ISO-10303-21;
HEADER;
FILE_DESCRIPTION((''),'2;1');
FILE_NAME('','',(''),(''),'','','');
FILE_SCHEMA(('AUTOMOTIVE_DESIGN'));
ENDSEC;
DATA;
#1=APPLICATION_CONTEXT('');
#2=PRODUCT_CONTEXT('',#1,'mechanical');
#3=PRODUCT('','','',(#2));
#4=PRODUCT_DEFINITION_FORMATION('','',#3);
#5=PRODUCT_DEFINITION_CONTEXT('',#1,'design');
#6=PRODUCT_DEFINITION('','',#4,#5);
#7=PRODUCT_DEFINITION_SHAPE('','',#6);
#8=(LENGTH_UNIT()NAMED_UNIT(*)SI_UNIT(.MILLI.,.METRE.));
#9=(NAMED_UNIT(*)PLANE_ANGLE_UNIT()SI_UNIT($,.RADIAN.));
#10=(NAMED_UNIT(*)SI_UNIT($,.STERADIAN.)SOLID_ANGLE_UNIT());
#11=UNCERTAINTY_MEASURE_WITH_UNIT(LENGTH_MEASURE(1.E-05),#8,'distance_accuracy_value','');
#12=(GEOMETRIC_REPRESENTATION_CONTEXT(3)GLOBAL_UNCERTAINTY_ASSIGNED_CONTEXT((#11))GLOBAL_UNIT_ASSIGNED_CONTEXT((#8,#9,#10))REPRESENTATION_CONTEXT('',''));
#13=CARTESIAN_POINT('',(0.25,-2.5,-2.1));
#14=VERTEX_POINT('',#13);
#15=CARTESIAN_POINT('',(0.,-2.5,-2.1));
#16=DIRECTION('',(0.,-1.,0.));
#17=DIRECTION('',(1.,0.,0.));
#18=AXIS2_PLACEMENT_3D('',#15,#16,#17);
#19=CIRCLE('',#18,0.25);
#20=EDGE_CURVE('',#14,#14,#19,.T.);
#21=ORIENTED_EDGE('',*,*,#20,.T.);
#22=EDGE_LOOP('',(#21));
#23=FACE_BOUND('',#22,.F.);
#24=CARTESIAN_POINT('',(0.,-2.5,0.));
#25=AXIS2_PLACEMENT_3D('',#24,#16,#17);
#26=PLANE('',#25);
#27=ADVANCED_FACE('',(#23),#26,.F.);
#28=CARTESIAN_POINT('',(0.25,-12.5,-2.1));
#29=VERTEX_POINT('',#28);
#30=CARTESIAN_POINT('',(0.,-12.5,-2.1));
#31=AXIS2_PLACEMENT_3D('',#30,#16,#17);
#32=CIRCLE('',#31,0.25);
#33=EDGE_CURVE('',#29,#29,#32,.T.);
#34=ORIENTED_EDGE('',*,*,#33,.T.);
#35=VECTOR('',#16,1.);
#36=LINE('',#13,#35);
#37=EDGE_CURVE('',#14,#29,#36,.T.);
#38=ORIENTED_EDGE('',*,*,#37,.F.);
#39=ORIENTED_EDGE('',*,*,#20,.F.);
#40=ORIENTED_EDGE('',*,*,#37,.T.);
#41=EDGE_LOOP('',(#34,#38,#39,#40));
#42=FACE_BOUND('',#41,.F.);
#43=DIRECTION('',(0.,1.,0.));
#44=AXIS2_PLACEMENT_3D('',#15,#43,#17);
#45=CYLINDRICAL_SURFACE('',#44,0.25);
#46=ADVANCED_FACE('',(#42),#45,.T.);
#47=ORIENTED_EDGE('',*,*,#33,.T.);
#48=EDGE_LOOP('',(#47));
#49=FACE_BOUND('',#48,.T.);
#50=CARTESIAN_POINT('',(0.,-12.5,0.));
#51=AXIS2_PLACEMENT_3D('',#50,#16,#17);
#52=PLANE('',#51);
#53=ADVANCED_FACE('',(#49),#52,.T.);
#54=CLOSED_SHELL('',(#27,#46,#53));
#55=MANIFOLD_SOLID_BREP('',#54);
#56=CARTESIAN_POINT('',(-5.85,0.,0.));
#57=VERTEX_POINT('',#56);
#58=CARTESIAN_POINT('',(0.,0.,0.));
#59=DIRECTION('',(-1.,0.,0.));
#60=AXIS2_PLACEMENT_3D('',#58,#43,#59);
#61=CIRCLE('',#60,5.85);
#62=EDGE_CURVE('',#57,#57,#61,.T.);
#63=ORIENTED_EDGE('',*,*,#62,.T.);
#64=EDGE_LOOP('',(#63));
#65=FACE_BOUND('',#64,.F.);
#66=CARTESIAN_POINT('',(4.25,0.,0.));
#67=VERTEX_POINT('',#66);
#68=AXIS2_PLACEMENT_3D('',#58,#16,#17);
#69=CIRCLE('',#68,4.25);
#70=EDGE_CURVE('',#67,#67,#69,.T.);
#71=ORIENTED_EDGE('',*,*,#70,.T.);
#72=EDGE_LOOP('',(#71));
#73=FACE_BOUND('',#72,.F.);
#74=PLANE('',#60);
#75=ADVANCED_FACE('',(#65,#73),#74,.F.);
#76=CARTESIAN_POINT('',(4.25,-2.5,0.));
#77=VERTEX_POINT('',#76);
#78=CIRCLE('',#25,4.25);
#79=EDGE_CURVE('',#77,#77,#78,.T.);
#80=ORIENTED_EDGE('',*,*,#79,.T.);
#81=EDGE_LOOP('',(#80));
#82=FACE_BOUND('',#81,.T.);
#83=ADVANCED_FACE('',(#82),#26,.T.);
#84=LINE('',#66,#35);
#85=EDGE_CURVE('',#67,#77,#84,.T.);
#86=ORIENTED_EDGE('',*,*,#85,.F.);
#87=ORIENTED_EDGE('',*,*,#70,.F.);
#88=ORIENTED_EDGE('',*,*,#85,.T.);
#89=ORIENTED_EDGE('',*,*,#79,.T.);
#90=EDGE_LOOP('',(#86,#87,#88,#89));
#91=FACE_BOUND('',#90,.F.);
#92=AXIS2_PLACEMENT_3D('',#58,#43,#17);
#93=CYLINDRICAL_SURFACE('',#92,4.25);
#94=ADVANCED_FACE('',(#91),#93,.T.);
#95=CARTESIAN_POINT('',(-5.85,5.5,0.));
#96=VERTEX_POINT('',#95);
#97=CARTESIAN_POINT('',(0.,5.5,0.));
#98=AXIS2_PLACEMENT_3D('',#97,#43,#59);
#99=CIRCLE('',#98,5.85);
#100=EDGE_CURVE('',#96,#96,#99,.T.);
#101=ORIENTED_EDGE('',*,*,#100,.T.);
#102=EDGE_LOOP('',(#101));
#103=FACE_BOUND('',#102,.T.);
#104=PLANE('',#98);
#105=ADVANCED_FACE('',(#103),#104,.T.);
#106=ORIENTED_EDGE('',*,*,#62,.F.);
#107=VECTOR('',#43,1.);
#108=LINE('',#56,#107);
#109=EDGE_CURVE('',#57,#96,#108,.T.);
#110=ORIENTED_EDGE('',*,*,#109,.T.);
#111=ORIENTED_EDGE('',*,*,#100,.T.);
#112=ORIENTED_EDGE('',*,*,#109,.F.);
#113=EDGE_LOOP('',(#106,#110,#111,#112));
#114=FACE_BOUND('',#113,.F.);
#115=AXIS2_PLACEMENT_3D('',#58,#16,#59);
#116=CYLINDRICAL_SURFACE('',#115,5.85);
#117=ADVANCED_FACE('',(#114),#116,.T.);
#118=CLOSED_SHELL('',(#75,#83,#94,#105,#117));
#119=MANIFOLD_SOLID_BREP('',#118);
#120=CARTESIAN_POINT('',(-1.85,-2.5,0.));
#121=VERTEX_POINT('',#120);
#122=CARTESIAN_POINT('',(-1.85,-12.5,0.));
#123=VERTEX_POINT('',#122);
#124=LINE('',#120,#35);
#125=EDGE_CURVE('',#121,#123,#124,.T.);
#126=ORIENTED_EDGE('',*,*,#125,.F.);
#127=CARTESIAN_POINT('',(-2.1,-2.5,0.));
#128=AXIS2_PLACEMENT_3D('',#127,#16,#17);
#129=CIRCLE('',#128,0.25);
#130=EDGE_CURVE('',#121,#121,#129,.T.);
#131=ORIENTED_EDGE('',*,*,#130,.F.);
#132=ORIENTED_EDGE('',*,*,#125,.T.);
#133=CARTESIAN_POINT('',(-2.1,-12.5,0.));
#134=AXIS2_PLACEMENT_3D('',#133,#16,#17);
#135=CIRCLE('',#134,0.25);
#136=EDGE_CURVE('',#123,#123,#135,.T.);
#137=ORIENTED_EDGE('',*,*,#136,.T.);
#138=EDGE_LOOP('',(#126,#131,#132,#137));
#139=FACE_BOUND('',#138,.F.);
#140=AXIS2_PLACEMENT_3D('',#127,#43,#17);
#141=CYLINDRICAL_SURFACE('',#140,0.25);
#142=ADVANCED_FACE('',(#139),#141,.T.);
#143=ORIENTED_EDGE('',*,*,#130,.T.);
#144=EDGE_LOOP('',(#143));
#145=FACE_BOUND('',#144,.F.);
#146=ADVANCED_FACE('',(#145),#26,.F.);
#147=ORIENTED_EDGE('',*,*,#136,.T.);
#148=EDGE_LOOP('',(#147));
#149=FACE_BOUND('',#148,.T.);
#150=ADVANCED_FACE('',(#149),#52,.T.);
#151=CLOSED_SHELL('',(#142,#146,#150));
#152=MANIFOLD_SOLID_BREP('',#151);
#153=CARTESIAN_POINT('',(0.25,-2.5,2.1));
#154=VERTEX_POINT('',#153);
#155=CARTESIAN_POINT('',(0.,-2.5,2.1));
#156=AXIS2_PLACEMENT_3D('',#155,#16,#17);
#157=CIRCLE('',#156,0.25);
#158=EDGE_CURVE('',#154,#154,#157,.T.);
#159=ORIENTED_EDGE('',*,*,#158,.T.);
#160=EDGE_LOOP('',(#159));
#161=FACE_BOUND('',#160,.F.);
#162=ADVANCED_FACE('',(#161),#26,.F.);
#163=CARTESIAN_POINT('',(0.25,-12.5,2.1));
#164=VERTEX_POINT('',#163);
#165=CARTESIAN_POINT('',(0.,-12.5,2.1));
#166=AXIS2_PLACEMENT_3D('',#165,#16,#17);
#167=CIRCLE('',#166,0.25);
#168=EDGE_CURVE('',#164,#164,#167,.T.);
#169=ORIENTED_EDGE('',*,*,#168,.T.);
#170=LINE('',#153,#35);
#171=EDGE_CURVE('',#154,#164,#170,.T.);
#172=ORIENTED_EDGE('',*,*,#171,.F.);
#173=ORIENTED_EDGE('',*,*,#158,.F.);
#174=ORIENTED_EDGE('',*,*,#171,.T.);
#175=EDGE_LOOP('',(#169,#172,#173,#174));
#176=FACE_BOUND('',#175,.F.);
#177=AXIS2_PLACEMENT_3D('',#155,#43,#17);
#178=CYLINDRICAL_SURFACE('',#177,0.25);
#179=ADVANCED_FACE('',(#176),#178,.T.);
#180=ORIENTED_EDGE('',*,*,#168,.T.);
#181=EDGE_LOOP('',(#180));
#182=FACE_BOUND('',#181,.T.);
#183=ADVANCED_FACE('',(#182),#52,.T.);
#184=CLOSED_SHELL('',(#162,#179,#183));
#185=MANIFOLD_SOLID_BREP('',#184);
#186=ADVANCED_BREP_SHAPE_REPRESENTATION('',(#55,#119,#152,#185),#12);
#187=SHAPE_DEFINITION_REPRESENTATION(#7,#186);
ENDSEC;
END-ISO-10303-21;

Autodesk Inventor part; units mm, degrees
ref_plane "YZ Plane" through (0, 0, 0) normal (1, 0, 0) x (0, 1, 0)
ref_plane "XZ Plane" through (0, 0, 0) normal (0, 1, 0) x (-1, 0, 0)
ref_plane "XY Plane" through (0, 0, 0) normal (0, 0, 1) x (1, 0, 0)
sketch "Эскиз1" plane through (0, 0, 0) normal (0, 1, 0) x (-1, 0, 0)
  circle A0 centre (0, 0) radius 5.85
  dimension "d2" = 11.7
extrude "Выдавливание1" add sketch "Эскиз1" along normal blind 5.5
sketch "Эскиз2" plane through (0, 0, 0) normal (0, -1, 0) x (1, 0, 0)
  circle A0 centre (0, 0) radius 4.25
  dimension "d5" = 8.5
extrude "Выдавливание2" add sketch "Эскиз2" along normal blind 2.5
sketch "Эскиз3" plane through (0, -2.5, 0) normal (0, -1, 0) x (1, 0, 0)
  circle A0 centre (0, 0) radius 2.1 construction
  circle A1 centre (0, 2.1) radius 0.25
  circle A2 centre (-2.1, 0) radius 0.25
  circle A3 centre (0, -2.1) radius 0.25
  dimension "d6" = 4.2
  dimension "d7" = 0.5
  dimension "d8" = 0.5
  dimension "d9" = 0.5
extrude "Выдавливание3" add sketch "Эскиз3" along normal blind 10 separate body contours A1
extrude "Выдавливание4" add sketch "Эскиз3" along normal blind 10 separate body contours A2
extrude "Выдавливание5" add sketch "Эскиз3" along normal blind 10 separate body contours A3
properties part number "МП41А"
